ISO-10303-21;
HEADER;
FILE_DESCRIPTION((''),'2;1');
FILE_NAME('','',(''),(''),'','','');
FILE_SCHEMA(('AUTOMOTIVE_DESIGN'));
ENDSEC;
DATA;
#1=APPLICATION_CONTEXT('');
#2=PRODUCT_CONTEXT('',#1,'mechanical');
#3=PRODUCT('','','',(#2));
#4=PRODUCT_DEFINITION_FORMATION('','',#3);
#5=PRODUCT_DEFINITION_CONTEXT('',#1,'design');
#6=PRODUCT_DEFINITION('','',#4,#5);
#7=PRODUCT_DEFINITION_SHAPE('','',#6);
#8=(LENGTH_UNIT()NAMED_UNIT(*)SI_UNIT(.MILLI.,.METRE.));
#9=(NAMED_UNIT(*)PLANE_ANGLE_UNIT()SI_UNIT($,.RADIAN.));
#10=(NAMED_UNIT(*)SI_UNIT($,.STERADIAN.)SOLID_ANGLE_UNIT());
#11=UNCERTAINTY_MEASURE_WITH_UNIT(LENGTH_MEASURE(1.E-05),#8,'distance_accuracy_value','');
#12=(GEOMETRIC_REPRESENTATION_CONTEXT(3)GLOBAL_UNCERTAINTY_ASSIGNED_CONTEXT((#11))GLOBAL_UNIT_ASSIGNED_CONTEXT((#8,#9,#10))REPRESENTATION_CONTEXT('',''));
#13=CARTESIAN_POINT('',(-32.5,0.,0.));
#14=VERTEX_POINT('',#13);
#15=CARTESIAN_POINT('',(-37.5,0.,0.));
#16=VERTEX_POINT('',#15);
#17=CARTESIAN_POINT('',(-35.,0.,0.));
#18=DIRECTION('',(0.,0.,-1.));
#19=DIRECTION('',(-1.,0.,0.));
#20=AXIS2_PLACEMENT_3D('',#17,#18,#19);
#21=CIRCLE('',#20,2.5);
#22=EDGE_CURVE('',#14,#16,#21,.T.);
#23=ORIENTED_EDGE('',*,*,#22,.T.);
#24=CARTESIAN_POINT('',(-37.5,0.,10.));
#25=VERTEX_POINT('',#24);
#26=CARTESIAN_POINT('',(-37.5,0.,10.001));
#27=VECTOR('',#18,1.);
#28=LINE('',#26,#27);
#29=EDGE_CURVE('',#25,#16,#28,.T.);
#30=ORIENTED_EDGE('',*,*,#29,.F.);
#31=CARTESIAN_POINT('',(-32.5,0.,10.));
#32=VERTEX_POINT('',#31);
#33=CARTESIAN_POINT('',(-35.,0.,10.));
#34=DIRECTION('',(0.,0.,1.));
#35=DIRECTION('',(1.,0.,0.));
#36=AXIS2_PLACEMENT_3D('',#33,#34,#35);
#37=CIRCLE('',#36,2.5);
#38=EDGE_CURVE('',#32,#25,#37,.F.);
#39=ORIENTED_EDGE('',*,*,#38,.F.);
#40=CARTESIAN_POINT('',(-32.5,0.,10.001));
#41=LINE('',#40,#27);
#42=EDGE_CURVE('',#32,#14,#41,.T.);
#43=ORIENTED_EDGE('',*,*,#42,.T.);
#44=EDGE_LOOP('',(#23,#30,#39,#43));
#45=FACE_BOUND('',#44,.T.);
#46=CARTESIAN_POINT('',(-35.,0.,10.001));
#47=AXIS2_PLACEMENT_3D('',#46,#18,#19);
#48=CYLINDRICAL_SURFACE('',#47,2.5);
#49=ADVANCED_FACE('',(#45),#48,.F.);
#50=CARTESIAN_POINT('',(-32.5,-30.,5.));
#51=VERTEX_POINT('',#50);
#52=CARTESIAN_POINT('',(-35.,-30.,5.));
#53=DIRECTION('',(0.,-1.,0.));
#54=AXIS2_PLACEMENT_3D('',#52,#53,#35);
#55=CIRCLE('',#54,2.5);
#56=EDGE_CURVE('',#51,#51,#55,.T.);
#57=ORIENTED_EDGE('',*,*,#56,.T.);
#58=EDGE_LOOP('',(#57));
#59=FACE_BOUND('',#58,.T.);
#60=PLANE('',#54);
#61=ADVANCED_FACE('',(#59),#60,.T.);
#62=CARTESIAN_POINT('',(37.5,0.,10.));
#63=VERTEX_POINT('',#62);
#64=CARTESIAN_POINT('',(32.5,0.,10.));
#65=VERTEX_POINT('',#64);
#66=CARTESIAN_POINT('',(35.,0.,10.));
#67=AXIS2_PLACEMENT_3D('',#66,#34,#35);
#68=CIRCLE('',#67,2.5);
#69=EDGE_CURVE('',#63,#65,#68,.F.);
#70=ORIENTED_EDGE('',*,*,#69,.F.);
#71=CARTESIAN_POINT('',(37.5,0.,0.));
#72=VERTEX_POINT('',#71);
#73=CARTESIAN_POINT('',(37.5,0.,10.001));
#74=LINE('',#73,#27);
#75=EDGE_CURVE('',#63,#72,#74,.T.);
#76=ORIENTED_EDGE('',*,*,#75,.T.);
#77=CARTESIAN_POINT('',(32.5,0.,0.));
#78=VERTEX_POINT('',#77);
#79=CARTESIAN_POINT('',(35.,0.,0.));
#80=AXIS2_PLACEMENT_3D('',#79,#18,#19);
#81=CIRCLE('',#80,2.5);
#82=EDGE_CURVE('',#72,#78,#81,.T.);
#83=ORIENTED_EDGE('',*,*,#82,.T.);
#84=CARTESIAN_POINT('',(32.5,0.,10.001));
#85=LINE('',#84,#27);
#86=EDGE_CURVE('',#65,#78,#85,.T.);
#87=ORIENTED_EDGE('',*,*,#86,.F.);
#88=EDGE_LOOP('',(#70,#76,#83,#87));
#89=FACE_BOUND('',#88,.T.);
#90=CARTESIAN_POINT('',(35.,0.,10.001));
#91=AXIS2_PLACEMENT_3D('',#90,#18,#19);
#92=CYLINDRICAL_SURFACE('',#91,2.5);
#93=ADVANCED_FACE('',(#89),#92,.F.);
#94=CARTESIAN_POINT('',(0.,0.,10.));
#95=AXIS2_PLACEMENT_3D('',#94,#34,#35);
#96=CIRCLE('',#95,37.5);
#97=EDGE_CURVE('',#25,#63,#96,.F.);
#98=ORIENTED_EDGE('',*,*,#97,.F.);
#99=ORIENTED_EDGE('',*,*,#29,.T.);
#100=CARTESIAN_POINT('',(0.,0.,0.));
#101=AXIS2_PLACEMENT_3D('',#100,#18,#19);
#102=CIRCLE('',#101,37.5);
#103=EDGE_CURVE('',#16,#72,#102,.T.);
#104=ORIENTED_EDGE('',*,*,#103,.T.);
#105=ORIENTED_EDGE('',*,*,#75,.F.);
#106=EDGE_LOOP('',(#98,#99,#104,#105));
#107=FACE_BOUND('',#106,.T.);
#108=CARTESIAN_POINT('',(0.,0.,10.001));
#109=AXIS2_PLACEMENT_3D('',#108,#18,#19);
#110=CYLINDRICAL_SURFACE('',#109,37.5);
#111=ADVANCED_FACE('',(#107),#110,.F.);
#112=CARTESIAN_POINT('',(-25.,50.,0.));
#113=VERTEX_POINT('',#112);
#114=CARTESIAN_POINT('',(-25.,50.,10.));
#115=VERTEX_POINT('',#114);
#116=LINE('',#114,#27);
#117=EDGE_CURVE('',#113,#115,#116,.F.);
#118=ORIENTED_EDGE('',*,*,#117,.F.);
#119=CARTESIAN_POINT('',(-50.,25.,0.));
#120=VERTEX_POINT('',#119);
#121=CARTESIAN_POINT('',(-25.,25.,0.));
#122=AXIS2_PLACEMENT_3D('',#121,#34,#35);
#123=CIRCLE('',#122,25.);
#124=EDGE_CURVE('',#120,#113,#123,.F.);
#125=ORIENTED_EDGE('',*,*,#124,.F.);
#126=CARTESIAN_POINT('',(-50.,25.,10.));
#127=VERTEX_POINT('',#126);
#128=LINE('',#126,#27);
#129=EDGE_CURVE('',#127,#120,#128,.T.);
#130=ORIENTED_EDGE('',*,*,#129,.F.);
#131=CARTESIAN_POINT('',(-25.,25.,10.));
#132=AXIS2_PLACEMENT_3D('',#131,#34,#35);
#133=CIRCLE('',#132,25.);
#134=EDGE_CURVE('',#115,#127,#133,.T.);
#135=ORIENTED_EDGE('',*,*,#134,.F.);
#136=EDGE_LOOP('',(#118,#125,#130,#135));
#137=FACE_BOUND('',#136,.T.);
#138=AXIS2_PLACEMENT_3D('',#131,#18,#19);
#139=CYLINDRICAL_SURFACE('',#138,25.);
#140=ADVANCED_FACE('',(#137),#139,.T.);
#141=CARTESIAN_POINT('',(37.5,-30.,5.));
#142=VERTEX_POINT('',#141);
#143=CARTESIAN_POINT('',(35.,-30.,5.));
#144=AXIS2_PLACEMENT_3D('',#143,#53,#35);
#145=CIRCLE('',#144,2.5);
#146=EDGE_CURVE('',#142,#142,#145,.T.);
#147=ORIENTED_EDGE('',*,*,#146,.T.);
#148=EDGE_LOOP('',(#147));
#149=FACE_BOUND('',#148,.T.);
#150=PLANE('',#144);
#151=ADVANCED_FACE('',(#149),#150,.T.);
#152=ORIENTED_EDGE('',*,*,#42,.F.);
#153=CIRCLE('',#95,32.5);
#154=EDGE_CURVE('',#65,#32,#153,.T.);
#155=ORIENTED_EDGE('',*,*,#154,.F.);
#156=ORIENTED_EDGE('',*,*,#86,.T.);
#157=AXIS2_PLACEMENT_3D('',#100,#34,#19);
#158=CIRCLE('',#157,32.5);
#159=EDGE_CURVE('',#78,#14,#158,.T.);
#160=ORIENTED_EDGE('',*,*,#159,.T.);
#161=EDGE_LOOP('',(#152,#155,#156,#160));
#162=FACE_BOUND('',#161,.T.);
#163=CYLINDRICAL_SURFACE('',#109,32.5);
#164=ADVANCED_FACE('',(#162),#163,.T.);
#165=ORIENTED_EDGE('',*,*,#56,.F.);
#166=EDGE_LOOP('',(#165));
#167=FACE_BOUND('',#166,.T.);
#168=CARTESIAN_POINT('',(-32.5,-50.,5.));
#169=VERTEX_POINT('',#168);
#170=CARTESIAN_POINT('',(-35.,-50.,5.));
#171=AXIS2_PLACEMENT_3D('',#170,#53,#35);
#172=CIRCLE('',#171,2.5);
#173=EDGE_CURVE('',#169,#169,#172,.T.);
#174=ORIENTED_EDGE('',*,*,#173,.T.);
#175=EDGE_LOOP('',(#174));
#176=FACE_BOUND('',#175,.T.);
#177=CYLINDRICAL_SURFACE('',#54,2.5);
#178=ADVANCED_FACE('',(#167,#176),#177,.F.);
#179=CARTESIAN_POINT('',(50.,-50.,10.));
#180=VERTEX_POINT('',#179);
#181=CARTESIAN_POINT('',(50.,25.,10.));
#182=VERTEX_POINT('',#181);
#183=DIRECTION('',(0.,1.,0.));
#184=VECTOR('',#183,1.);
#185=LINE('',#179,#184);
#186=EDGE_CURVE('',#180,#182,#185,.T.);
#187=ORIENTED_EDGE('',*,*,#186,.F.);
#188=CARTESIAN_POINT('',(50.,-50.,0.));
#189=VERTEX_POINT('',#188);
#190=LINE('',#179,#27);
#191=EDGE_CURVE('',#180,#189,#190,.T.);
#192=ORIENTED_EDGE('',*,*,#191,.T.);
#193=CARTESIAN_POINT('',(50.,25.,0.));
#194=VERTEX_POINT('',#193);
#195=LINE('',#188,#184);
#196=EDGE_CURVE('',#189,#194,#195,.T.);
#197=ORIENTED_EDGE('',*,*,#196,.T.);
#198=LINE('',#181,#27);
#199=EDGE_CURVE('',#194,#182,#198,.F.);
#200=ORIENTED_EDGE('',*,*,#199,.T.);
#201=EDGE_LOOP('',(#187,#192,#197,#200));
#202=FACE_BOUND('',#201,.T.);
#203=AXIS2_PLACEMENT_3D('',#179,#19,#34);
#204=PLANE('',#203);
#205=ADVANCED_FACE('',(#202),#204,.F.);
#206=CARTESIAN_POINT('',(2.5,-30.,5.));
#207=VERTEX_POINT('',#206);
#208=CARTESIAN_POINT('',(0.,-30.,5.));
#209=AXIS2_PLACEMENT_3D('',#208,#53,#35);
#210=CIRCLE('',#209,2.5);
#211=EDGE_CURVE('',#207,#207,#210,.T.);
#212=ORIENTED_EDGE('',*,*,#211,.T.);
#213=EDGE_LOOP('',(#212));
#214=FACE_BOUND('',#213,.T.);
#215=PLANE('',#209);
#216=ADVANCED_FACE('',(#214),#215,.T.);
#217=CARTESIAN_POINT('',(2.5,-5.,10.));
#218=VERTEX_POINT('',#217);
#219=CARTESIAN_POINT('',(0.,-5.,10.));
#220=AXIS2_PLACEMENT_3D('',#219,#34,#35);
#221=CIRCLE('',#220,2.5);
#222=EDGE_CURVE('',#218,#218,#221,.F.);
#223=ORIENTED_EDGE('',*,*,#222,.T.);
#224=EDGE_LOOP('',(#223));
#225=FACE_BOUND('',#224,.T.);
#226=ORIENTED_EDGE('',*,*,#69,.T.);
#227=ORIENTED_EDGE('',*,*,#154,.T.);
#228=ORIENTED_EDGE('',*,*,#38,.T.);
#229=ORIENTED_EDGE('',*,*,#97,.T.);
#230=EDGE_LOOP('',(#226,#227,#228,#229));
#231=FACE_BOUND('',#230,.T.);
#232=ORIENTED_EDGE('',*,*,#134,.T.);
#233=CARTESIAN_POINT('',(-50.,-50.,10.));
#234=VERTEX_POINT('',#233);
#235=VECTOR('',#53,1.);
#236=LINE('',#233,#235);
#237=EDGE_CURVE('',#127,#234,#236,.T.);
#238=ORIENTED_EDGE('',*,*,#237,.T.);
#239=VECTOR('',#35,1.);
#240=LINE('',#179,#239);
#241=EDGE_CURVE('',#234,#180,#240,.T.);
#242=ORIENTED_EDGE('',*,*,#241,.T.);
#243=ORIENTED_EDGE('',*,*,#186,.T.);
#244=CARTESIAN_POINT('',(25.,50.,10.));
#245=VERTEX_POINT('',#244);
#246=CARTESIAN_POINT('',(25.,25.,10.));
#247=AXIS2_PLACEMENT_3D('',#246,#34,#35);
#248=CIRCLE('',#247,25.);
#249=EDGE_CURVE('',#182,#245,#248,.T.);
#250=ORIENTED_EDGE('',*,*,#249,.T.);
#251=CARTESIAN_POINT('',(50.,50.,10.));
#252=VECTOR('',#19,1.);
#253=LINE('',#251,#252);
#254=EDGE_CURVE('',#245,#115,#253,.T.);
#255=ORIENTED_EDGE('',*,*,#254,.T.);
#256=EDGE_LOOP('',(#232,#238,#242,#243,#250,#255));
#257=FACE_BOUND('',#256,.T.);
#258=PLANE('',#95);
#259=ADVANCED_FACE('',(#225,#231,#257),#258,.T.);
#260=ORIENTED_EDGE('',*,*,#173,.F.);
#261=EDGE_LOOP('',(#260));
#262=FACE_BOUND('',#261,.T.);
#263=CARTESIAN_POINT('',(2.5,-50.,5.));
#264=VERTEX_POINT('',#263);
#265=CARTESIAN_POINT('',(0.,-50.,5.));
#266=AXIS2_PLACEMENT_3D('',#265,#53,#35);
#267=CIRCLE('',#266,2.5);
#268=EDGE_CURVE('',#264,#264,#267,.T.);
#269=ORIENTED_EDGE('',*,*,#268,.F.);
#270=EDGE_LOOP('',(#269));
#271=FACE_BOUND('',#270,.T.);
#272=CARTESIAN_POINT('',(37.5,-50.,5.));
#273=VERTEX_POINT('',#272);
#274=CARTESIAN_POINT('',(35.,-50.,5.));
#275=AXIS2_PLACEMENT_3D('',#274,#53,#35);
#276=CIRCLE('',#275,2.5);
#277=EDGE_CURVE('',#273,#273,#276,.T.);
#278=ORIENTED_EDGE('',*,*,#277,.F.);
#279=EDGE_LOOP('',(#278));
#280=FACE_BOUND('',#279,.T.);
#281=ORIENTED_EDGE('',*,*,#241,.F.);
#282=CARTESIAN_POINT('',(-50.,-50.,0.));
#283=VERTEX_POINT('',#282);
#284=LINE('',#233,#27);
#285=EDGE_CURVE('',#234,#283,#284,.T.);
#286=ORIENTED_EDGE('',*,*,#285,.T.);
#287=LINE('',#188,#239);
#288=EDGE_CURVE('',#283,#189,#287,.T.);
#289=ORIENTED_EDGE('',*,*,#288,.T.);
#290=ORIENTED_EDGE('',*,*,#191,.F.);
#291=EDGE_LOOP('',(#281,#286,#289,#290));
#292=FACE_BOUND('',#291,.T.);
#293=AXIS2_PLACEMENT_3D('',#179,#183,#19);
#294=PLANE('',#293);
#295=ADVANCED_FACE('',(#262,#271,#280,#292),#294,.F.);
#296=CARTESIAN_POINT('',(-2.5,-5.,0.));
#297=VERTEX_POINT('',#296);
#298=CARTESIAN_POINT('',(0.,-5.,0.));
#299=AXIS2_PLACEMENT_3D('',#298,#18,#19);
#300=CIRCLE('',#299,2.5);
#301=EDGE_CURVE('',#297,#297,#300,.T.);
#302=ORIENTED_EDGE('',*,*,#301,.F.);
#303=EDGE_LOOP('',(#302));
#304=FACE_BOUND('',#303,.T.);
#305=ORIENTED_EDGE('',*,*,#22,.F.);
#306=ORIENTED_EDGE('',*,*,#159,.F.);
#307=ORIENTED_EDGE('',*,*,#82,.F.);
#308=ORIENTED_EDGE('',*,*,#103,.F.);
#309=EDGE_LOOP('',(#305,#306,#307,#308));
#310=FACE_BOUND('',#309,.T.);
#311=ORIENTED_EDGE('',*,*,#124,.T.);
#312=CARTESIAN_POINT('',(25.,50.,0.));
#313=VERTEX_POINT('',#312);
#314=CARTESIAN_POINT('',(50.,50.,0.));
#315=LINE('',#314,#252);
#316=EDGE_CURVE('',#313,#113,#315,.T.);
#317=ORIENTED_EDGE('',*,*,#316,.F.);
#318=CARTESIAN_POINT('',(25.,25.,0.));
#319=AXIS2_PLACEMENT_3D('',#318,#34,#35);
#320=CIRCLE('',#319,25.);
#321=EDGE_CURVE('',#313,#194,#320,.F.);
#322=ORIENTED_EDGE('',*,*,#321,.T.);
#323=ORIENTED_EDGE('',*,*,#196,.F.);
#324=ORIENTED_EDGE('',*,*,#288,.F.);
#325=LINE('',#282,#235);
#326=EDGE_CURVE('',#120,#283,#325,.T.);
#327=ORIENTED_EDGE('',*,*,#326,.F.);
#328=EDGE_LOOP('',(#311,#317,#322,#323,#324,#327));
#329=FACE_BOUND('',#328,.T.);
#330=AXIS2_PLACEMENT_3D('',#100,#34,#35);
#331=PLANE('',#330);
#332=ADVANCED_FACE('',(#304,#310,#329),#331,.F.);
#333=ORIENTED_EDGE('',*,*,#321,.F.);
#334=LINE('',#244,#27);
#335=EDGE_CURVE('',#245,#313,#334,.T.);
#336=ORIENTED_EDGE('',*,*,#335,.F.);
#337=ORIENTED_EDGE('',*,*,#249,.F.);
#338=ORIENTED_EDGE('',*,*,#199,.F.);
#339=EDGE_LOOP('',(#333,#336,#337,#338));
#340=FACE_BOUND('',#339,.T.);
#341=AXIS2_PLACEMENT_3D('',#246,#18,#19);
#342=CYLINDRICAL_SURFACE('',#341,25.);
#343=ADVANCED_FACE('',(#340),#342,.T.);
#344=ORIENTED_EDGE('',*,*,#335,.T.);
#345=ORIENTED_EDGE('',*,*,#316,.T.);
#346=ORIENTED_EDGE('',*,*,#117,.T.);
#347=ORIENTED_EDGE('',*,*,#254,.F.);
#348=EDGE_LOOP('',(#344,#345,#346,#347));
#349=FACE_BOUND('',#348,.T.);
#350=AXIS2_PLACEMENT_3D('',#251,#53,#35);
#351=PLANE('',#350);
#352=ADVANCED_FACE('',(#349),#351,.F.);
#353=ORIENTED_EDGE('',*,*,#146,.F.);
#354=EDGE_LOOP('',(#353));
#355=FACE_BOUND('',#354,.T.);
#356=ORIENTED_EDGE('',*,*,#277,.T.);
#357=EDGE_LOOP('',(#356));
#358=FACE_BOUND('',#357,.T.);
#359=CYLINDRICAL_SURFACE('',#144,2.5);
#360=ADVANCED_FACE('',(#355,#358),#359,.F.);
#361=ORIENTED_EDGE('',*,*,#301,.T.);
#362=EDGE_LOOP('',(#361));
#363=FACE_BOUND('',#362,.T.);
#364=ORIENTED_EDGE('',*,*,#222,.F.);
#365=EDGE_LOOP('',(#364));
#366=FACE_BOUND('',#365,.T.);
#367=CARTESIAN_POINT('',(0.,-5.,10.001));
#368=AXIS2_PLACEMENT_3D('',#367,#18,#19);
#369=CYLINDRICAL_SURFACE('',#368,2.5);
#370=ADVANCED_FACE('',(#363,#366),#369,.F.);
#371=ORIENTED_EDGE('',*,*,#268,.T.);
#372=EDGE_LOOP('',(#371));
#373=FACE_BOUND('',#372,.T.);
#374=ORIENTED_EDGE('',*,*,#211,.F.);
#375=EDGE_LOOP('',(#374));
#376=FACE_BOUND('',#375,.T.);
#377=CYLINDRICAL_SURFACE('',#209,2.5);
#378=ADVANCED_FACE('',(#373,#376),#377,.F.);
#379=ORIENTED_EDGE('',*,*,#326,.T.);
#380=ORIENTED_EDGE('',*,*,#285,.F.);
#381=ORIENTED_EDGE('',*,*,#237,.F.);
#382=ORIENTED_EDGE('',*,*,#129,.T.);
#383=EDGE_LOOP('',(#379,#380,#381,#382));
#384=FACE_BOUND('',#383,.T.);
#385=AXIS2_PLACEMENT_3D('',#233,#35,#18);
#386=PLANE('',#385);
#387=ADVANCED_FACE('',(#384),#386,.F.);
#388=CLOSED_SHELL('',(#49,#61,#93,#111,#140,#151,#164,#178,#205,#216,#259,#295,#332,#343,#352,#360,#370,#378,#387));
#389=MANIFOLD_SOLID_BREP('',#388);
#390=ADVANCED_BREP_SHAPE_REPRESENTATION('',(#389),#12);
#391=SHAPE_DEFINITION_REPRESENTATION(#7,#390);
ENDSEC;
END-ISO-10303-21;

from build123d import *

# Parameters (mm, degrees)
SKETCH1_W           = 100
SKETCH1_H           = 100
BOSS_EXTRUDE1_DEPTH = 10
CUT_EXTRUDE1_REACH  = 73.414
SKETCH2_R           = 2.5
SKETCH3_R           = 2.5
CUT_EXTRUDE2_DEPTH  = 20
FILLET2_R           = 25
FILLET3_R           = 25


with BuildPart() as part:
    # Sketch1 → Boss-Extrude1 (new body)
    with BuildSketch(Plane.XY):
        Rectangle(SKETCH1_W, SKETCH1_H)
    extrude(amount=BOSS_EXTRUDE1_DEPTH)

    # Sketch2 → Cut-Extrude1 (cut, up to next)
    with BuildSketch(Plane(origin=(0, 0, 0), x_dir=(-1, 0, 0), z_dir=(0, 0, -1)), mode=Mode.PRIVATE) as cut_extrude1_sk1:
        with Locations((0, -5)):
            Circle(SKETCH2_R)
    cut_extrude1_tool1 = extrude(cut_extrude1_sk1.sketch, amount=-CUT_EXTRUDE1_REACH, mode=Mode.PRIVATE) & part.part
    # Sketch2 → Cut-Extrude1 (cut, up to next)
    with BuildSketch(Plane(origin=(0, 0, 0), x_dir=(-1, 0, 0), z_dir=(0, 0, -1)), mode=Mode.PRIVATE) as cut_extrude1_sk2:
        with BuildLine():
            ThreePointArc((37.5, 0), (0, 37.5), (-37.5, 0))
            ThreePointArc((-37.5, 0), (-35, -2.5), (-32.5, 0))
            ThreePointArc((-32.5, 0), (0, 32.5), (32.5, 0))
            ThreePointArc((32.5, 0), (35, -2.5), (37.5, 0))
        make_face()
    cut_extrude1_tool2 = extrude(cut_extrude1_sk2.sketch, amount=-CUT_EXTRUDE1_REACH, mode=Mode.PRIVATE) & part.part
    add(cut_extrude1_tool1.solids().sort_by_distance((0, -5, 0))[0], mode=Mode.SUBTRACT)
    add(cut_extrude1_tool2.solids().sort_by_distance((0, 33.35, 0))[0], mode=Mode.SUBTRACT)

    # Sketch3 → Cut-Extrude2 (cut)
    with BuildSketch(Plane.XZ.offset(50)):
        with Locations((-35, 5)):
            Circle(SKETCH3_R)
        with Locations((0, 5)):
            Circle(SKETCH3_R)
        with Locations((35, 5)):
            Circle(SKETCH3_R)
    extrude(amount=-CUT_EXTRUDE2_DEPTH, mode=Mode.SUBTRACT)

    # Fillet2
    fillet2_edges = [part.edges().sort_by_distance(p)[0] for p in [
        (-50, 50, 5),
    ]]
    fillet(fillet2_edges, radius=FILLET2_R)

    # Fillet3
    fillet3_edges = [part.edges().sort_by_distance(p)[0] for p in [
        (50, 50, 5),
    ]]
    fillet(fillet3_edges, radius=FILLET3_R)


solid = part.part
